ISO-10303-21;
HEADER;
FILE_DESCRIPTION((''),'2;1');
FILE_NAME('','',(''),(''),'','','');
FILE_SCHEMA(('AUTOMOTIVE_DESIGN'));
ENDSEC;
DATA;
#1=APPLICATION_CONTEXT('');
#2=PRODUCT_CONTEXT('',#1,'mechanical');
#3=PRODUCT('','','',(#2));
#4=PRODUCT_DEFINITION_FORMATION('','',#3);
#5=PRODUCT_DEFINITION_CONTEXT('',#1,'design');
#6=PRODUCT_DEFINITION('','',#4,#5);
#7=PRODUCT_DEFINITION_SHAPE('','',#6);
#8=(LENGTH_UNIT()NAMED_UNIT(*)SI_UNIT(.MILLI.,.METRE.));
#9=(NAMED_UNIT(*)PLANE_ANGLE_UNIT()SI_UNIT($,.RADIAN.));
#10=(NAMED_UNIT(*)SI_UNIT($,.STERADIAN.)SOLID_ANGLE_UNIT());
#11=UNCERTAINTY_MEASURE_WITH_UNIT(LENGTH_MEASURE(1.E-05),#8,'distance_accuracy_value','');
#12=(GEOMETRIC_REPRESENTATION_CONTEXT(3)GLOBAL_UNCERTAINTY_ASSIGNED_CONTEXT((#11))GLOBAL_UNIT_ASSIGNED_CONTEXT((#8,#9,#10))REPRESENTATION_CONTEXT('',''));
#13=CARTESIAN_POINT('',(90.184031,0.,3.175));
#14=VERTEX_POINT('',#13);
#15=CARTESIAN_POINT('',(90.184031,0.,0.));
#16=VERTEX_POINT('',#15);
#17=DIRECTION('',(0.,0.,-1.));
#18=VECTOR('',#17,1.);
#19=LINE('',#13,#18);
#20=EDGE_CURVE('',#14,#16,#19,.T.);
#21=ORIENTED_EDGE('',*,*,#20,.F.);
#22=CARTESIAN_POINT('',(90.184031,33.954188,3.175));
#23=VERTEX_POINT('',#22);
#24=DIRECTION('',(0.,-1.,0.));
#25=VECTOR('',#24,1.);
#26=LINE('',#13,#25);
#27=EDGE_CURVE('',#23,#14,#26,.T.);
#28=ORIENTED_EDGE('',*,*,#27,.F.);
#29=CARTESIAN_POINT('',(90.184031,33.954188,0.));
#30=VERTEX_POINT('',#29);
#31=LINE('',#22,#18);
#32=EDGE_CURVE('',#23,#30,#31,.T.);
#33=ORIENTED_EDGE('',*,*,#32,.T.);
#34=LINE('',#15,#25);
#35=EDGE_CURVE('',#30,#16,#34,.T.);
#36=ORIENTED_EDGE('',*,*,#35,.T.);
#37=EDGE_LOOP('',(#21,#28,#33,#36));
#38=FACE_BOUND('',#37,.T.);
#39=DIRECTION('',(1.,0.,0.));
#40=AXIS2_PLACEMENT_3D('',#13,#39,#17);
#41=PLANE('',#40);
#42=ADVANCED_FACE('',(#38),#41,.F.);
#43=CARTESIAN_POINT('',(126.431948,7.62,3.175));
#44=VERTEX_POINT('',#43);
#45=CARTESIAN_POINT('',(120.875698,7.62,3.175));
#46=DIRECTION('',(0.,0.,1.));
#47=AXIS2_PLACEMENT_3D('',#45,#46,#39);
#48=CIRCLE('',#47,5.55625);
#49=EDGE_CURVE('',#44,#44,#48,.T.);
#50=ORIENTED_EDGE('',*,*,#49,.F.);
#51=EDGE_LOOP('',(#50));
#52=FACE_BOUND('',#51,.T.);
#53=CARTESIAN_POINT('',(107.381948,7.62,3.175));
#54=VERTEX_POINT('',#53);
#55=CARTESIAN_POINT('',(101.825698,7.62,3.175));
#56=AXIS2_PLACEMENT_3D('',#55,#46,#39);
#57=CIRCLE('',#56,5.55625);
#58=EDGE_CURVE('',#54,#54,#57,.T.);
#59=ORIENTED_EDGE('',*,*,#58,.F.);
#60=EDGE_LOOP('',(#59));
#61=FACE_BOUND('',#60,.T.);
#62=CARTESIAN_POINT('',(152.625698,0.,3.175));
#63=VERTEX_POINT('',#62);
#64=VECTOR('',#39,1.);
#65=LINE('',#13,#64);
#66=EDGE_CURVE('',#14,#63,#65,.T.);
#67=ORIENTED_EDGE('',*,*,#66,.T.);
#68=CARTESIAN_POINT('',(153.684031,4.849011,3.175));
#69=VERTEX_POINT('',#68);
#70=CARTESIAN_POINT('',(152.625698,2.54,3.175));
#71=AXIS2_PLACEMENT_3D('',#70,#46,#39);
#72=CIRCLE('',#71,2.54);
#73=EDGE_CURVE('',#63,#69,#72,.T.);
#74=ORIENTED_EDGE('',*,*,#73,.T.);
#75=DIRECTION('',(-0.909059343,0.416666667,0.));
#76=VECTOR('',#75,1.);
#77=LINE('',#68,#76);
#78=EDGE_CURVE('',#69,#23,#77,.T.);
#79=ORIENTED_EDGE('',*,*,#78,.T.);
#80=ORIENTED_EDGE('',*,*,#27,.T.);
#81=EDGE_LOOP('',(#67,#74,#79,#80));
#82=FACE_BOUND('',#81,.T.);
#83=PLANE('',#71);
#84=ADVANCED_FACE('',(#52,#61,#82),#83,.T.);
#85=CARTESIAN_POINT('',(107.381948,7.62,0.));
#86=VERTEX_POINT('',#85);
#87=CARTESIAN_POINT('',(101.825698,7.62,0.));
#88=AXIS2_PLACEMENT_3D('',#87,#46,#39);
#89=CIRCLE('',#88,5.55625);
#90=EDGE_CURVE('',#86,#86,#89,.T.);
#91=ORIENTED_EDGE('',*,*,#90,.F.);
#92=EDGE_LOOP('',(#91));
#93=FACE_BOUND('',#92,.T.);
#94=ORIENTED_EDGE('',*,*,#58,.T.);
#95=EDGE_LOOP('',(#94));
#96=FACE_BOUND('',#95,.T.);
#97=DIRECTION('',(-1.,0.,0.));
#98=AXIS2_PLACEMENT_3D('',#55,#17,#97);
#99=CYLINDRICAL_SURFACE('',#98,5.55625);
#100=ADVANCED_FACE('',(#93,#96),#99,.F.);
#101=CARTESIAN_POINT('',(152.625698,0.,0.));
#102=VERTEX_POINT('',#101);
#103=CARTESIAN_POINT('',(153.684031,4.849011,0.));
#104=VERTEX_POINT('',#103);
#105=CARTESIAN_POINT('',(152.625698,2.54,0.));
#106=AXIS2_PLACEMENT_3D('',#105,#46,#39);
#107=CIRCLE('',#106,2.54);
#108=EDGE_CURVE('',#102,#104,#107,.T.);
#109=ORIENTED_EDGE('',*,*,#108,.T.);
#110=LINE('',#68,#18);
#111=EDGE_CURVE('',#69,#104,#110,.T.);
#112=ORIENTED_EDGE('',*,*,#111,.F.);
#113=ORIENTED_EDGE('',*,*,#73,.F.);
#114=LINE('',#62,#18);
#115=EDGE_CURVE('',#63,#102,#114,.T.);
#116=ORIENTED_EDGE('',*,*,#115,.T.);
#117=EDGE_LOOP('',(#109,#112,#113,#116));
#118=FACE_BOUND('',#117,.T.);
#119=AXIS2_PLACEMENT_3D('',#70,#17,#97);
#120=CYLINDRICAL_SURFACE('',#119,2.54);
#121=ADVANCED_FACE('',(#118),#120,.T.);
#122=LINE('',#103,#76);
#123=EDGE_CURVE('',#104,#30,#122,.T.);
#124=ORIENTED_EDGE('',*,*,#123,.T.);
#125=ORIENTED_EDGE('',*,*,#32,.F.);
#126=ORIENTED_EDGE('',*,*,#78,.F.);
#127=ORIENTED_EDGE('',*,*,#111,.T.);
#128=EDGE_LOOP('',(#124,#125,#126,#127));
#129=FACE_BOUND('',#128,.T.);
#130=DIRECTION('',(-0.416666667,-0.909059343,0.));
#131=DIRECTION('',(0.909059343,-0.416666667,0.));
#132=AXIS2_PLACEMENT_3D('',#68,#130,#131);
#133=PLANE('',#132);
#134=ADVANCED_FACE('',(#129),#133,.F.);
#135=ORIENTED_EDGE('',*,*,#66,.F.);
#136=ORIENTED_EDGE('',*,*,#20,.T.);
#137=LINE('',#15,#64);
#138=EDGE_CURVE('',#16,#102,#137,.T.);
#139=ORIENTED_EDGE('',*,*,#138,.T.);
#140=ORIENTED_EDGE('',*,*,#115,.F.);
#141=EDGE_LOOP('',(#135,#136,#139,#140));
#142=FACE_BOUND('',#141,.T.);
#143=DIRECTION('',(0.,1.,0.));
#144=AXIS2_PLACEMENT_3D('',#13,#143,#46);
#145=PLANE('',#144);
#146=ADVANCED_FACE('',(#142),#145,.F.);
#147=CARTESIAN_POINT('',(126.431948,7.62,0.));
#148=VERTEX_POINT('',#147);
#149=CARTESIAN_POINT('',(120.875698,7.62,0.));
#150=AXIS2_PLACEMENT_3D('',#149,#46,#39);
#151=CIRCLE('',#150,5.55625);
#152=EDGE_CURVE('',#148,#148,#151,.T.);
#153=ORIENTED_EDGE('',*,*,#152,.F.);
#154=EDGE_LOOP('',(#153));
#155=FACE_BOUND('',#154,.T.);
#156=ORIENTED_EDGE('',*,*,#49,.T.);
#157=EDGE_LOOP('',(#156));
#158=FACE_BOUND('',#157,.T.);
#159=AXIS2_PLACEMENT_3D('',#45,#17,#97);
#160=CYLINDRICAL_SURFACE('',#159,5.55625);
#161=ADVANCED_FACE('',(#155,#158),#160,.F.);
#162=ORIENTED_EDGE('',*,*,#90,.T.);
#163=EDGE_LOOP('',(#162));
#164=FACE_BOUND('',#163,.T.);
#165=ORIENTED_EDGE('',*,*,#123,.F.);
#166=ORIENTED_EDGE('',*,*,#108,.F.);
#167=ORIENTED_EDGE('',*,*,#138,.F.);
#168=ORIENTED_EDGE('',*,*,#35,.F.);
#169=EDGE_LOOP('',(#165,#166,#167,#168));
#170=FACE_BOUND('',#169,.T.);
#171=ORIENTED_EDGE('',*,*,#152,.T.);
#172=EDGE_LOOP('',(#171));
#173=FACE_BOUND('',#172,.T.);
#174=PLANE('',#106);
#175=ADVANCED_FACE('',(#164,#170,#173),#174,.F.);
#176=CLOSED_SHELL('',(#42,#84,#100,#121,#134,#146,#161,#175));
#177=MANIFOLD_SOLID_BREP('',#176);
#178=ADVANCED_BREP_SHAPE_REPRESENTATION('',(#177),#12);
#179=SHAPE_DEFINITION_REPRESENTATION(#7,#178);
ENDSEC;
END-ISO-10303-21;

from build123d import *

# Parameters (mm, degrees)
SKETCH1_R      = 5.55625
EXTRUDE1_DEPTH = 3.175


with BuildPart() as part:
    # Sketch1 → Extrude1 (new body)
    with BuildSketch(Plane.XY):
        with BuildLine():
            Line((90.184030844, 0), (152.625697511, 0))
            ThreePointArc((152.625697511, 0), (155.107278383, 1.998376171), (153.684030844, 4.849010731))
            Line((153.684030844, 4.849010731), (90.184030844, 33.954188012))
            Line((90.184030844, 33.954188012), (90.184030844, 0))
        make_face()
        with Locations((120.875697511, 7.62)):
            Circle(SKETCH1_R, mode=Mode.SUBTRACT)
        with Locations((101.825697511, 7.62)):
            Circle(SKETCH1_R, mode=Mode.SUBTRACT)
    extrude(amount=EXTRUDE1_DEPTH)


solid = part.part
